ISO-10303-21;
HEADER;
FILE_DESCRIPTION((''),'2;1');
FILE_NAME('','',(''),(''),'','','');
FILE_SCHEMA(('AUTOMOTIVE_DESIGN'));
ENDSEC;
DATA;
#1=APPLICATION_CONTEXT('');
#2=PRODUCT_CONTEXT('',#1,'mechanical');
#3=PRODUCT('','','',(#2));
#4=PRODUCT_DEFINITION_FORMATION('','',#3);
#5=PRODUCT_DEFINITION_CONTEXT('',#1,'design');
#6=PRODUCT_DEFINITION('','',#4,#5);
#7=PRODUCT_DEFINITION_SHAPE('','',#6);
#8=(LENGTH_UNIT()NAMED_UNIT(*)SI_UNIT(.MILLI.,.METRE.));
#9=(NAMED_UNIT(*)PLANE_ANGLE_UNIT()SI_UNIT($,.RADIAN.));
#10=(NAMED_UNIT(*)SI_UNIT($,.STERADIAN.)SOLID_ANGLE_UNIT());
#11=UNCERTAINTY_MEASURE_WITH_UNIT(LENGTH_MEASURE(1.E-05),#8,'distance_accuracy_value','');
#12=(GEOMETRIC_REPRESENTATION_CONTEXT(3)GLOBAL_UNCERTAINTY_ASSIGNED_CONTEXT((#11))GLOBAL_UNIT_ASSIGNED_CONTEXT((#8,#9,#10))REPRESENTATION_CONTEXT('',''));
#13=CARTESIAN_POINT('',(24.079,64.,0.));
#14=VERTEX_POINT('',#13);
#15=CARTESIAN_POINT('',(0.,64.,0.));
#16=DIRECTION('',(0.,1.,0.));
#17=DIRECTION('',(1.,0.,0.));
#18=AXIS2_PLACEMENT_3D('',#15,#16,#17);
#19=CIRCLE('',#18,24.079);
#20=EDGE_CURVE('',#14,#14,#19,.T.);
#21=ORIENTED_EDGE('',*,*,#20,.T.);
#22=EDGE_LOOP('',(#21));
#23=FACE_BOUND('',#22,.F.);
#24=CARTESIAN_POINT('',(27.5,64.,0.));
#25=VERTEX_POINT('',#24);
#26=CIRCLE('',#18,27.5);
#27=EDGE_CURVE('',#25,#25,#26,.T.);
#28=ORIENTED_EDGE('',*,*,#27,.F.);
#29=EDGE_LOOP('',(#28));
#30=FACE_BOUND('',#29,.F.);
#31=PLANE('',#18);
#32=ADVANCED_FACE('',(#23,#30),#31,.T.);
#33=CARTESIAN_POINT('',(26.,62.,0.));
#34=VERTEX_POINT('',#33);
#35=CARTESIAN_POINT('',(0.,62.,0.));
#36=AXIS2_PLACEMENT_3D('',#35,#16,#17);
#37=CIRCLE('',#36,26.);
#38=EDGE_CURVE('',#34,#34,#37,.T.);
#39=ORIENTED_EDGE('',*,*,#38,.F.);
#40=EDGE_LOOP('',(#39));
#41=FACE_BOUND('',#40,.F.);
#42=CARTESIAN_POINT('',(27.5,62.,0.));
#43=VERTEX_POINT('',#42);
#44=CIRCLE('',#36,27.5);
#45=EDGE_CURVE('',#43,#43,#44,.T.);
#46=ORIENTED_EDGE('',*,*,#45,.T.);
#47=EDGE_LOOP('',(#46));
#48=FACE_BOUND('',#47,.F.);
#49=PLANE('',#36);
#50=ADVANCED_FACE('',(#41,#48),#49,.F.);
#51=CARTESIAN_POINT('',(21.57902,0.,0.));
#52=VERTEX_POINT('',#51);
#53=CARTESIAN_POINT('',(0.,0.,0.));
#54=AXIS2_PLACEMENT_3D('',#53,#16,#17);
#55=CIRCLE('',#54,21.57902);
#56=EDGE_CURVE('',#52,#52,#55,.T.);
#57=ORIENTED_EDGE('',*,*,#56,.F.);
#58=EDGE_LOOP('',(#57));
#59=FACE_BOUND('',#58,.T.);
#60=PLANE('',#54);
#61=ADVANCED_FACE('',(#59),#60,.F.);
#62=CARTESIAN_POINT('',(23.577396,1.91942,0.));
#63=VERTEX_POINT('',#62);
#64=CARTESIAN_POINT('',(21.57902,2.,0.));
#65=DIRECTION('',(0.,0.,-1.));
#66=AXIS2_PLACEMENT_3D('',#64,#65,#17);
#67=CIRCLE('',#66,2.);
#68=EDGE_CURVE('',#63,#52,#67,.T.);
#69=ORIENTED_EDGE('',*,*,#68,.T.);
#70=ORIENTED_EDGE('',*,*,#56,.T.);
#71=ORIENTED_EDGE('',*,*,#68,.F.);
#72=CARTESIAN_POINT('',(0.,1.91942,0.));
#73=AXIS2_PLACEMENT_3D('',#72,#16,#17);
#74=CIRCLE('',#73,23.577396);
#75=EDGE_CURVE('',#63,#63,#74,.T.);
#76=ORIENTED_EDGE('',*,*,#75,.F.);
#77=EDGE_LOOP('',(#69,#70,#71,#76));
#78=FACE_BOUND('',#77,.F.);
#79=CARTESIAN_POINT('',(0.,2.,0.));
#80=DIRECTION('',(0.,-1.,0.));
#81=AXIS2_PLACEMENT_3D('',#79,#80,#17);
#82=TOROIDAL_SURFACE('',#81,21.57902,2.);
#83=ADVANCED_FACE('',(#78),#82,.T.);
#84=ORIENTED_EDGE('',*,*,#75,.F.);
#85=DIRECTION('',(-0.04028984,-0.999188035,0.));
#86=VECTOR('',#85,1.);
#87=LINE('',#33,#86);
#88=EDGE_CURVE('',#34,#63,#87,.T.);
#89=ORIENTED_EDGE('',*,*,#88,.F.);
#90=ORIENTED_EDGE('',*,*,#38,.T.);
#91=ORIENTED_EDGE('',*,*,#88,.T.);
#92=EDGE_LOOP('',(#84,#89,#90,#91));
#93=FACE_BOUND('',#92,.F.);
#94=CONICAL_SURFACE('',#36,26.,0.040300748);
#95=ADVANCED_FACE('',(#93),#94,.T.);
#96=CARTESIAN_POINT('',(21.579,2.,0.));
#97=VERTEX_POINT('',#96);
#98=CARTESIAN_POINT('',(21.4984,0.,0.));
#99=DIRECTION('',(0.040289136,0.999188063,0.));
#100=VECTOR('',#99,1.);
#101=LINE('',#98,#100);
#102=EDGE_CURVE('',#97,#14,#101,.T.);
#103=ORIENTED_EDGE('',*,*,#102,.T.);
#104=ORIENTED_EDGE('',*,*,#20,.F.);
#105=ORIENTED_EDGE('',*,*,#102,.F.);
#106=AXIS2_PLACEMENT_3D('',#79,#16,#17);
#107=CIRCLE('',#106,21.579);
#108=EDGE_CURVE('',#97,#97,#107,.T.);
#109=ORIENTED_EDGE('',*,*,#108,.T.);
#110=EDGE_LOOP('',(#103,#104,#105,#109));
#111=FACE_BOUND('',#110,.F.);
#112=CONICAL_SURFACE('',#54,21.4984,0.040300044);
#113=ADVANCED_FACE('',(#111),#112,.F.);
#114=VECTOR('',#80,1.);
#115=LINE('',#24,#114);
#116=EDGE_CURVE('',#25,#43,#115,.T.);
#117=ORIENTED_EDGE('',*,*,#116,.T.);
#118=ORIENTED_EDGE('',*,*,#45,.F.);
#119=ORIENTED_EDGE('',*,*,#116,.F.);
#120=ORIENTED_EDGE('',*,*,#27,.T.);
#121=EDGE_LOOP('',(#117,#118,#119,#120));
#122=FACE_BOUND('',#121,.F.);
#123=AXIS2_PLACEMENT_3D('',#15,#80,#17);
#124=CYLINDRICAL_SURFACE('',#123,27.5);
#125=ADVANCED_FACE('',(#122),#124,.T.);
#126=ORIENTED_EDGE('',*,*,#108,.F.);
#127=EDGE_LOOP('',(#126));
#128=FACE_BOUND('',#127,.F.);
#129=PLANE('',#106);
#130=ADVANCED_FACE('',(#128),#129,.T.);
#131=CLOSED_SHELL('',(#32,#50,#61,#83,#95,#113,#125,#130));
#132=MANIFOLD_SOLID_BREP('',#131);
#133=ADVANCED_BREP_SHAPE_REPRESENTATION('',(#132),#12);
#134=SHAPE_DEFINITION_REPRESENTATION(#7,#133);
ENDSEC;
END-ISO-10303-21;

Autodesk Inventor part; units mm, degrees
ref_plane "YZ Plane" through (0, 0, 0) normal (1, 0, 0) x (0, 1, 0)
ref_plane "XZ Plane" through (0, 0, 0) normal (0, 1, 0) x (-1, 0, 0)
ref_plane "XY Plane" through (0, 0, 0) normal (0, 0, 1) x (1, 0, 0)
sketch "Эскиз1" plane through (0, 0, 0) normal (0, 0, 1) x (1, 0, 0)
  line L0 (0, 0) -> (0, 57.7087)
  line L1 (0, 0) -> (87.3611, 0) construction
  line L2 (21.4984, 0) -> (24.079, 64)
  line L3 (24.079, 64) -> (27.5, 64)
  line L4 (27.5, 64) -> (27.5, 62)
  line L5 (27.5, 62) -> (26, 62)
  line L6 (26, 62) -> (23.5, 0)
  line L7 (21.4984, 0) -> (23.5, 0)
  line L8 (23.5, 0) -> (0, 0)
  line L9 (0, 0) -> (0, 2)
  line L10 (0, 2) -> (21.579, 2)
  dimension "d0" = 47
  dimension "d1" = 52
  dimension "d2" = 55
  dimension "d3" = 62
  dimension "d4" = 2
  dimension "d5" = 2
  dimension "d8" = 2
revolve "Вращение1" add sketch "Эскиз1" angle 360 about axis through (0, 0, 0) along (0, 1, 0)
fillet "Сопряжение1" radius 2 1 edges at (-23.5, 0, 0)
equation "\"d8\" = d4"
properties part number "Стакан_В2"
